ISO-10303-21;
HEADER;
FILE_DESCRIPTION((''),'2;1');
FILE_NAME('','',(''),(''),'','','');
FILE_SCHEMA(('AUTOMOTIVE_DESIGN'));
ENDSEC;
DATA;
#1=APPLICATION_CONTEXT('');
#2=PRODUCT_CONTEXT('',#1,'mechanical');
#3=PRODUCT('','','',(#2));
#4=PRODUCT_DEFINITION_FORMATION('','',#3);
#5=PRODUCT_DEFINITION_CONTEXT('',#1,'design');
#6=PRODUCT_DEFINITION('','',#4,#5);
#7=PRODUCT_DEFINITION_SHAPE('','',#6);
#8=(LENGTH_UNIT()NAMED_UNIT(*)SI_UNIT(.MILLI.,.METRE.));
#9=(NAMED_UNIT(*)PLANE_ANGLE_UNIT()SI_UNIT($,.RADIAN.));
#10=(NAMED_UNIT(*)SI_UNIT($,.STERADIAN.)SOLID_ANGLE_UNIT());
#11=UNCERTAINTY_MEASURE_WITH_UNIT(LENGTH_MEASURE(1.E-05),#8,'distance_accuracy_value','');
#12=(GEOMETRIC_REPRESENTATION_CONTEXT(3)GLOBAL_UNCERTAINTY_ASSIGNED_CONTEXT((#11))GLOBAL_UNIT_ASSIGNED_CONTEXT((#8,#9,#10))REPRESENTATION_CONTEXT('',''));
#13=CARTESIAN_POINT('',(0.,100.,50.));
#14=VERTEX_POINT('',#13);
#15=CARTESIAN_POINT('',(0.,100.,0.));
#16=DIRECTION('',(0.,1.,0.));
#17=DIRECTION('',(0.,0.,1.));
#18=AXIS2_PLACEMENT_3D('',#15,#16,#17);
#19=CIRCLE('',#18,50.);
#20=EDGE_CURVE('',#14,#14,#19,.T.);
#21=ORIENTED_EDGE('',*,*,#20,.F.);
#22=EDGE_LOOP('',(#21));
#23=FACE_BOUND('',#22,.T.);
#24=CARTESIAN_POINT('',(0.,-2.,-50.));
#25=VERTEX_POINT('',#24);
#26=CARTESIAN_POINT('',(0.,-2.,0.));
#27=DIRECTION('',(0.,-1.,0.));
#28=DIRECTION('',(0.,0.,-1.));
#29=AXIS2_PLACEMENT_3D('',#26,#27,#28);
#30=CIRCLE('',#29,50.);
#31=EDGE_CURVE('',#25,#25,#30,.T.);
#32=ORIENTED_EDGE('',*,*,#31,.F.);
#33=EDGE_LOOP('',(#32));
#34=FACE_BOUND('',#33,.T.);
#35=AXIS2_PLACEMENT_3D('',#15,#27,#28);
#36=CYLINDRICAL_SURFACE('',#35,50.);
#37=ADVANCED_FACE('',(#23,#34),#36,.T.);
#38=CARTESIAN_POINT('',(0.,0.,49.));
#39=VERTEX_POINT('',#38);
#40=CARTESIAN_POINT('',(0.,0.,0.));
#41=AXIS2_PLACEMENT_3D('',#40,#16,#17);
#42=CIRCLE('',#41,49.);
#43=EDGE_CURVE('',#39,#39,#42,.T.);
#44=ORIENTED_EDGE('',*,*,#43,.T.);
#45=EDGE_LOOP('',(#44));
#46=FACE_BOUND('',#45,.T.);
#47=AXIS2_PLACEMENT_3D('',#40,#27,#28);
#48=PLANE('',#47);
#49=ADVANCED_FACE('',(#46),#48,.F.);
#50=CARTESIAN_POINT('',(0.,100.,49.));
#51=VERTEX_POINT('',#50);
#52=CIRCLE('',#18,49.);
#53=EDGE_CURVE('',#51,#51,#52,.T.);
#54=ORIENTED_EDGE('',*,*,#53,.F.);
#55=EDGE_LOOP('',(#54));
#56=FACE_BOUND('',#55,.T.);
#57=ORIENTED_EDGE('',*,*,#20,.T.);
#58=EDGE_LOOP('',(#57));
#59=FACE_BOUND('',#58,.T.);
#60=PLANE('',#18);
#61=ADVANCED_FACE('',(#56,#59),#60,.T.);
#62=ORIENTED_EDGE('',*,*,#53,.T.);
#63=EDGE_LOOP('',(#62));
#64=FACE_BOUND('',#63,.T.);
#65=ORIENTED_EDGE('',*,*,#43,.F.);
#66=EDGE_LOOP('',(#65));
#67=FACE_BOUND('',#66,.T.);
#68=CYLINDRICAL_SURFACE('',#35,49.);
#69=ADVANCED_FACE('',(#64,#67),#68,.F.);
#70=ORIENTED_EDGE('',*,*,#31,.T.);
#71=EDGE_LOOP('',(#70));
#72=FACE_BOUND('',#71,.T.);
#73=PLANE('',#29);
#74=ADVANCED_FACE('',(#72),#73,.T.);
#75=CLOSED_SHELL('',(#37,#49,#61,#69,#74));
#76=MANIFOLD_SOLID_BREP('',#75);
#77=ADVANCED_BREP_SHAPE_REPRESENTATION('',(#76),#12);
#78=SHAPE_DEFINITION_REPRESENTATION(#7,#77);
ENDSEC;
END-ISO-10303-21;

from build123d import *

# Parameters (mm, degrees)
SKETCH1_R           = 50
SKETCH1_R_2         = 49
BOSS_EXTRUDE1_DEPTH = 100
BOSS_EXTRUDE2_START = 2
SKETCH2_R           = 50
BOSS_EXTRUDE2_DEPTH = 2


with BuildPart() as part:
    # Sketch1 → Boss-Extrude1 (new body)
    with BuildSketch(Plane(origin=(0, 0, 0), x_dir=(1, 0, 0), z_dir=(0, 1, 0))):
        with Locations(Location((0, 0, 0), (0, 0, 270))):
            Circle(SKETCH1_R)
        with Locations(Location((0, 0, 0), (0, 0, 270))):
            Circle(SKETCH1_R_2, mode=Mode.SUBTRACT)
    extrude(amount=BOSS_EXTRUDE1_DEPTH)

    # Sketch2 → Boss-Extrude2 (add)
    with BuildSketch(Plane.XZ.offset(BOSS_EXTRUDE2_START)):
        with Locations(Location((0, 0, 0), (0, 0, 270))):
            Circle(SKETCH2_R)
    extrude(amount=-BOSS_EXTRUDE2_DEPTH)


solid = part.part
